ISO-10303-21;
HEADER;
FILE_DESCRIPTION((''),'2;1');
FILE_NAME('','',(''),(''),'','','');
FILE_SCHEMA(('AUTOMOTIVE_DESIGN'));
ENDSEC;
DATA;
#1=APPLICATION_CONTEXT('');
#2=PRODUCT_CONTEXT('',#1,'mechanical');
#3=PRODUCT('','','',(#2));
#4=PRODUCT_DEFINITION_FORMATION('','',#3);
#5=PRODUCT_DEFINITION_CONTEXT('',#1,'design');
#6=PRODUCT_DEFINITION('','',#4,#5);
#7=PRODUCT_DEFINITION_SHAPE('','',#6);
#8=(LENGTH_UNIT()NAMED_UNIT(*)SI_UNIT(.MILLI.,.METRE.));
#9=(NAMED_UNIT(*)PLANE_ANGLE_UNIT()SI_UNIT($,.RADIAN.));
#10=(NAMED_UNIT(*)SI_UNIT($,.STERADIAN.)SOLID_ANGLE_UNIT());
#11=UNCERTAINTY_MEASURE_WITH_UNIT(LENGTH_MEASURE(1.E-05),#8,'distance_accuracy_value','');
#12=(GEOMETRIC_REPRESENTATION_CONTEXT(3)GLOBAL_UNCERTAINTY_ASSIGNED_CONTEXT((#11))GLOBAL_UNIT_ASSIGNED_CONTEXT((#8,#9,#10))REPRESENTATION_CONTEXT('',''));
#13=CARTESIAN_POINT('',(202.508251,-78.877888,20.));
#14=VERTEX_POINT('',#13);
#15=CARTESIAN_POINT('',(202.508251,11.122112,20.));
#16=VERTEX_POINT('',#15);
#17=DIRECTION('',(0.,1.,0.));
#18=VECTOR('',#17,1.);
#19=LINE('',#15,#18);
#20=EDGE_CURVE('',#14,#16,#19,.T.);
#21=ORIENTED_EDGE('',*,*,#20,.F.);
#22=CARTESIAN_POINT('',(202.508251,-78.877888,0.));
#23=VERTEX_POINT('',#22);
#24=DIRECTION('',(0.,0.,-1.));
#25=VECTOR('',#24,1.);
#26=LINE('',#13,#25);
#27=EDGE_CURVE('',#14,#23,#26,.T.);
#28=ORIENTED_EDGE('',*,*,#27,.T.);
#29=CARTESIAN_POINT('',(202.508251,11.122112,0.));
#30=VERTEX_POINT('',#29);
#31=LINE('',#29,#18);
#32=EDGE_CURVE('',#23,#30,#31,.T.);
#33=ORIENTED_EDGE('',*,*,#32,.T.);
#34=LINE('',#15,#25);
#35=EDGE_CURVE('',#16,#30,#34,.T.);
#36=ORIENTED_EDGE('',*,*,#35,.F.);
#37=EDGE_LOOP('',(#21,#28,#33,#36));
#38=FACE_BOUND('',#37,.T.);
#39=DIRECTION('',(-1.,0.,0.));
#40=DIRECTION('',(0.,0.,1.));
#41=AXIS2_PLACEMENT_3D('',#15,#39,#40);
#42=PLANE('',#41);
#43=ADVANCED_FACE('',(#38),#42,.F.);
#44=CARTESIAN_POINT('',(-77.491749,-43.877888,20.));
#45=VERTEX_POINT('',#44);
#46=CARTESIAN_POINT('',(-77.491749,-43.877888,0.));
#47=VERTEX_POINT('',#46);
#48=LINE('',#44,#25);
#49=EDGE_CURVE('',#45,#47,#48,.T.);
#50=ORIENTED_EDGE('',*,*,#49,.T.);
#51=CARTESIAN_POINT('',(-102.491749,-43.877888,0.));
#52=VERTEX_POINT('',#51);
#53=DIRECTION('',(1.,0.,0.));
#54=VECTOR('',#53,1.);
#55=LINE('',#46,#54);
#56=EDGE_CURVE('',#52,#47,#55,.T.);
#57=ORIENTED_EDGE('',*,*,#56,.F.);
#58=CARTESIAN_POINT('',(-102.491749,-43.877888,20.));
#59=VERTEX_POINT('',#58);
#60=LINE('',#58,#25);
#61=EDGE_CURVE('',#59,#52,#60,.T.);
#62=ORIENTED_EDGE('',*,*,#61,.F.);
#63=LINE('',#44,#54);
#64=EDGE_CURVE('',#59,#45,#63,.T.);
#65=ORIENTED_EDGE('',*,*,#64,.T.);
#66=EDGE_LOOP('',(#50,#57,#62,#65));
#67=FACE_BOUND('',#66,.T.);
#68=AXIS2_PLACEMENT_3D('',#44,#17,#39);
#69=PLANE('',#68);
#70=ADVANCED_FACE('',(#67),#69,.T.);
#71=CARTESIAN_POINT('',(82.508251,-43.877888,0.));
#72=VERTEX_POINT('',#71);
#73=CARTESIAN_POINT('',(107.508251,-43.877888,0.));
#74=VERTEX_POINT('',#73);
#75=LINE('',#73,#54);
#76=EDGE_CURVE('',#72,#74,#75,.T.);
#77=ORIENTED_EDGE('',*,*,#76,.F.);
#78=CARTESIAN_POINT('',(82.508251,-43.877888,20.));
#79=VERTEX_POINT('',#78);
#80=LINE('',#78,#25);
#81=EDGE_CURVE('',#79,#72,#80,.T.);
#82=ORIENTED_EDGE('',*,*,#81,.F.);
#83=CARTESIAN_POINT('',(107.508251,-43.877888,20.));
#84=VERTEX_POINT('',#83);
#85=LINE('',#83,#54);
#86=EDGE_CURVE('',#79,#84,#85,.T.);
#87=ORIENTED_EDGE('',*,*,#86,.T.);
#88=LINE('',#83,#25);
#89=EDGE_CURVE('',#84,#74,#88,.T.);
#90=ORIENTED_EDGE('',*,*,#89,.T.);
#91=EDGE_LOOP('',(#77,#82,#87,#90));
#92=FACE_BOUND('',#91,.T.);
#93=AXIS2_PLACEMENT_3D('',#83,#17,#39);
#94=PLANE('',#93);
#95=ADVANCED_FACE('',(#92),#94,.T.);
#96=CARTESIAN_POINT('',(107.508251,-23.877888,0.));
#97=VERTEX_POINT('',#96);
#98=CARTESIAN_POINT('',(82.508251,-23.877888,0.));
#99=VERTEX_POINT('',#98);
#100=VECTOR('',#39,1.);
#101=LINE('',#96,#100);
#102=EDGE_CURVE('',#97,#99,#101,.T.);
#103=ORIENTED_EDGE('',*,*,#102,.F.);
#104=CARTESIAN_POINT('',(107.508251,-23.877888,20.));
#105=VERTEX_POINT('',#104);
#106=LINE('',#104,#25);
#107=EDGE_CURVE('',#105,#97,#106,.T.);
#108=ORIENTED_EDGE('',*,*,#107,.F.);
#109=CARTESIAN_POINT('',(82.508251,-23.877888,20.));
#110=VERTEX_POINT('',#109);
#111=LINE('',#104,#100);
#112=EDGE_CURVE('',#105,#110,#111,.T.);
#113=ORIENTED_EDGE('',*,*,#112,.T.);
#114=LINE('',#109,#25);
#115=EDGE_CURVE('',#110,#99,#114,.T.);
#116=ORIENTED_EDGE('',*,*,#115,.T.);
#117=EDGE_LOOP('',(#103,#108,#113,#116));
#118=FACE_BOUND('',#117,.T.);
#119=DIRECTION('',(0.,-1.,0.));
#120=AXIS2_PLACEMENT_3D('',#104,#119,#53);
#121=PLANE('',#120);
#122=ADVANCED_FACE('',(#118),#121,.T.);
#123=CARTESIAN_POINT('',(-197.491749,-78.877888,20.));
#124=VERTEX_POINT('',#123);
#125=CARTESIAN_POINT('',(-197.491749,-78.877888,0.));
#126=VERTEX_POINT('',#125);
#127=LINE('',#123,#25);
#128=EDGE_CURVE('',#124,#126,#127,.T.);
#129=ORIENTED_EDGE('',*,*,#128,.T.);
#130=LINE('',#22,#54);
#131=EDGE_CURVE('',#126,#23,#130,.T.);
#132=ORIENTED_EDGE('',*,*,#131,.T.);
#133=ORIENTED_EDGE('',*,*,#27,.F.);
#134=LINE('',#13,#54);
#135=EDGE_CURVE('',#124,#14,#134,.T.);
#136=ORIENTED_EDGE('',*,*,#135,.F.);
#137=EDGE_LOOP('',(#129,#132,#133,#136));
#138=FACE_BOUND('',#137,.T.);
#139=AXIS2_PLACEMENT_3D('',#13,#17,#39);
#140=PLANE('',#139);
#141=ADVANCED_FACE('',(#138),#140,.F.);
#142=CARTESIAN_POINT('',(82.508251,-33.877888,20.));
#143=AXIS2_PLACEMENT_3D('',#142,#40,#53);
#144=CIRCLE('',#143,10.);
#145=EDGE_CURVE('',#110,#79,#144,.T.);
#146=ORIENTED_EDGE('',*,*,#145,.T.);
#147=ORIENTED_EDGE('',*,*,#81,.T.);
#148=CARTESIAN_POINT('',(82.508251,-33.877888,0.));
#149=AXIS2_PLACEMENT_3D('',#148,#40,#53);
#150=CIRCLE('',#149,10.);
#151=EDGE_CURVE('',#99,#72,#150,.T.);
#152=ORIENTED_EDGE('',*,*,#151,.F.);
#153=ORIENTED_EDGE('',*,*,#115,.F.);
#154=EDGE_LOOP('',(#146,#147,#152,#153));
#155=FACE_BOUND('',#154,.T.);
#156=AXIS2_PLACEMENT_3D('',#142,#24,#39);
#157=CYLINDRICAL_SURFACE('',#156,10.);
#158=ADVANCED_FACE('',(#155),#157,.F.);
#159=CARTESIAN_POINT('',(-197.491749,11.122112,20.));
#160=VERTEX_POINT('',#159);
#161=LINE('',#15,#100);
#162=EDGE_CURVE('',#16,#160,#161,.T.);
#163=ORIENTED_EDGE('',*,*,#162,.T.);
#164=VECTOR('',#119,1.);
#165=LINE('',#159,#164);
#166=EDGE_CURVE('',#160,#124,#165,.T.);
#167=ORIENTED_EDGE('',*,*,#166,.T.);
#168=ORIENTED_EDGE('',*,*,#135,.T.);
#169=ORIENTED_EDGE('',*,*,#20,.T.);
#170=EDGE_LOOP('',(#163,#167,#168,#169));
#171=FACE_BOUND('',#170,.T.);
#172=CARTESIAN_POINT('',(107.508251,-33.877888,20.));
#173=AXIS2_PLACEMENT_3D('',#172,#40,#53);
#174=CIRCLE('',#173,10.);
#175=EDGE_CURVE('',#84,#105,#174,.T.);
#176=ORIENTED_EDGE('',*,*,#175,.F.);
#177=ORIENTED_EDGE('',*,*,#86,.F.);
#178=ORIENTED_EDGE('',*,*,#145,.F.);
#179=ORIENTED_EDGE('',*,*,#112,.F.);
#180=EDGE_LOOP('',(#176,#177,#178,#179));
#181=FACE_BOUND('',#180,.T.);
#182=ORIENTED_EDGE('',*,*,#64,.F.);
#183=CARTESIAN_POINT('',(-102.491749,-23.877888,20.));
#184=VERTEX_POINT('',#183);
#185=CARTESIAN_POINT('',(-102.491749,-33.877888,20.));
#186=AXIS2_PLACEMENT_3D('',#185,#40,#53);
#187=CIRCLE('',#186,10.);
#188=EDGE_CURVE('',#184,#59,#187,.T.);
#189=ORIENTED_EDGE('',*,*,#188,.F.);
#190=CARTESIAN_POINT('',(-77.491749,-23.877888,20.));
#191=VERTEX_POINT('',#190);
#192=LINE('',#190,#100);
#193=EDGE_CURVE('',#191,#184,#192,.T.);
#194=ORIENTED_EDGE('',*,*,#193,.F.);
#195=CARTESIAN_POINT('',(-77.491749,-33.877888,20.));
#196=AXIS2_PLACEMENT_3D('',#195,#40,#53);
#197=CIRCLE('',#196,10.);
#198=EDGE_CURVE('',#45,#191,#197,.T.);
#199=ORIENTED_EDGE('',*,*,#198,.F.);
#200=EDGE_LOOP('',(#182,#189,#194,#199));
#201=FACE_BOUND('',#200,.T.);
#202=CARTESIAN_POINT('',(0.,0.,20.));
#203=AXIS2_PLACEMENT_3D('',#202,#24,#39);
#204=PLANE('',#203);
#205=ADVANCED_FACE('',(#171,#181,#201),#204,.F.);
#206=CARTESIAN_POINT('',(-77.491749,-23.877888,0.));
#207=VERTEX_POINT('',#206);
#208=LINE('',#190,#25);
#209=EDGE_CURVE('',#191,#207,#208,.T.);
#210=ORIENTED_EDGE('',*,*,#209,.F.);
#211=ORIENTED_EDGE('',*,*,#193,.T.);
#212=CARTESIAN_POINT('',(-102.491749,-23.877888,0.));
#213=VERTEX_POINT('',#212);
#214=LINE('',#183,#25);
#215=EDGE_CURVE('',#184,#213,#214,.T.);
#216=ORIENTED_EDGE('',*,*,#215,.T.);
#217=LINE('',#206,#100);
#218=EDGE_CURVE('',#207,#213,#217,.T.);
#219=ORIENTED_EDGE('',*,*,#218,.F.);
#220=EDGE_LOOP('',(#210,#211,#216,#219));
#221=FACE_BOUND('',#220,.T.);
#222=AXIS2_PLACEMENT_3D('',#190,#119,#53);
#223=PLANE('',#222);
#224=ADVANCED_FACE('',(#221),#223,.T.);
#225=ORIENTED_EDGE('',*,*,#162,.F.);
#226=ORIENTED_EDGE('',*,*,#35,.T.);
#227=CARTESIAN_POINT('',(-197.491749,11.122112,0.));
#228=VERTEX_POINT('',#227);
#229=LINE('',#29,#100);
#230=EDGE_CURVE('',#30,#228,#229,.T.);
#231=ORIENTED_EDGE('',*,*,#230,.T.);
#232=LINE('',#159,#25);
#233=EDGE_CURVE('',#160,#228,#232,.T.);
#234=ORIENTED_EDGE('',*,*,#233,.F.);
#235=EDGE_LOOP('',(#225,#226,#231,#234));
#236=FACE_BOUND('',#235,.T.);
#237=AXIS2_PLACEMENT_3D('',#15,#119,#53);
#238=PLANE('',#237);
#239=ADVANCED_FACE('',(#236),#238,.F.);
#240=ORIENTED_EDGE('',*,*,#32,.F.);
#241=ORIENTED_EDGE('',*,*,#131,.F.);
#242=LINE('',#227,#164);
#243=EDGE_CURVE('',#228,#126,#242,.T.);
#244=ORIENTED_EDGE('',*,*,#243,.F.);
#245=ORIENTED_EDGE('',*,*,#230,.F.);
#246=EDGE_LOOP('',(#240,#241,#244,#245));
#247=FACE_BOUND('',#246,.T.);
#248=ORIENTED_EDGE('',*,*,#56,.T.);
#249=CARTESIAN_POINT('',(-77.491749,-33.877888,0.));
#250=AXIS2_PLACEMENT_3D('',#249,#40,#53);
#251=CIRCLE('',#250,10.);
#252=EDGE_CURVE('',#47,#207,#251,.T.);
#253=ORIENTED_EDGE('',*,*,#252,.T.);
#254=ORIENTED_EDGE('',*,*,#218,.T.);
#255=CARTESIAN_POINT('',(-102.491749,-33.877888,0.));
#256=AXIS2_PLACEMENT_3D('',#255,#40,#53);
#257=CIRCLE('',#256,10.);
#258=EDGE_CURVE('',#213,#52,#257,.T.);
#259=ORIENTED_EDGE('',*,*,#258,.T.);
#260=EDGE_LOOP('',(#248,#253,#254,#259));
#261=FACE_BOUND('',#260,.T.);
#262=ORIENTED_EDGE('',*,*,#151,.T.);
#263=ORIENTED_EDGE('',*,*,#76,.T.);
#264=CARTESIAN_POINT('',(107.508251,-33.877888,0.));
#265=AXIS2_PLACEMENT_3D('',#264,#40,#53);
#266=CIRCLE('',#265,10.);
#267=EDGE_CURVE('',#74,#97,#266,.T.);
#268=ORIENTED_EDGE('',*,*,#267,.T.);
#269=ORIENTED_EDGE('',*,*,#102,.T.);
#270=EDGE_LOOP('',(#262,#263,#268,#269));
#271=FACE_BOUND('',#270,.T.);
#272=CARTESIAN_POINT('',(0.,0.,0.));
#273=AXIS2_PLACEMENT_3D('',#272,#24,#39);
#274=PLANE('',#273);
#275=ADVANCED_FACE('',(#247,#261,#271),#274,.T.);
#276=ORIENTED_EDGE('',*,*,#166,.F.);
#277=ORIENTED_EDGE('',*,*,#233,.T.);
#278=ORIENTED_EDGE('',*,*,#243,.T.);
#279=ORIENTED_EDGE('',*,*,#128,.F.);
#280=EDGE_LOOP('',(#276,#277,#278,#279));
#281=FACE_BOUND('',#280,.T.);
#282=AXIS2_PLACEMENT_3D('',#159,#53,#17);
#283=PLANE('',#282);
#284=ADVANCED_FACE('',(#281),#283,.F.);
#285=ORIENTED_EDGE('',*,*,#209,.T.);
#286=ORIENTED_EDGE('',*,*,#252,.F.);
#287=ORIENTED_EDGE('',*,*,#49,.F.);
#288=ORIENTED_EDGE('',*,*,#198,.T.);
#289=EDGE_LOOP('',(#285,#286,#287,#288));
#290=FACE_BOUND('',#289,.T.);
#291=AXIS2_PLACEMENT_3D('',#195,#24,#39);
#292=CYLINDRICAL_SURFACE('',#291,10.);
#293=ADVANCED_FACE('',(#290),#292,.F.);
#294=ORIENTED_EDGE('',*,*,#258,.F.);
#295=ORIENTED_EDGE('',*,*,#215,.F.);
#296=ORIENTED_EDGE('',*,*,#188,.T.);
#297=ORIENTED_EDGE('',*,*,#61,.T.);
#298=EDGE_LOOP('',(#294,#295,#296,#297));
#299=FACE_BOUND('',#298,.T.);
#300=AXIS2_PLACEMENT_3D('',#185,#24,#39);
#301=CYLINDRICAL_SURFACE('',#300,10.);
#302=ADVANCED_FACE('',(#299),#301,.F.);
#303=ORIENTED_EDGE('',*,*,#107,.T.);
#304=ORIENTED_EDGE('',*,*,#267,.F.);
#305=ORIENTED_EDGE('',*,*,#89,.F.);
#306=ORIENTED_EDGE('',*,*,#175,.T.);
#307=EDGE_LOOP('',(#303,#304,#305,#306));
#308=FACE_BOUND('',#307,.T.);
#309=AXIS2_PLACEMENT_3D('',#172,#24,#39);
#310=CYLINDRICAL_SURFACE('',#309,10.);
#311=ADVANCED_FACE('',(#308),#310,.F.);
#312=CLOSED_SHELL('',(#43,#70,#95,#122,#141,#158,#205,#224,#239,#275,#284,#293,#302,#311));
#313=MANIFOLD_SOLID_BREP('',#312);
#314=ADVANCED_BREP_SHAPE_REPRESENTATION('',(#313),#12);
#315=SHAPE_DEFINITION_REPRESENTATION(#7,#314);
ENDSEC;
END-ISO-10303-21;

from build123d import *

# Parameters (mm, degrees)
SKETCH2_W           = 400
SKETCH2_H           = 90
BOSS_EXTRUDE1_DEPTH = 20


with BuildPart() as part:
    # Sketch2 → Boss-Extrude1 (new body)
    with BuildSketch(Plane.XY):
        with Locations((2.508250825, -33.877887789)):
            Rectangle(SKETCH2_W, SKETCH2_H)
        with BuildLine():
            Line((107.508250825, -43.877887789), (82.508250825, -43.877887789))
            ThreePointArc((82.508250825, -43.877887789), (72.508250825, -33.877887789), (82.508250825, -23.877887789))
            Line((82.508250825, -23.877887789), (107.508250825, -23.877887789))
            ThreePointArc((107.508250825, -23.877887789), (117.508250825, -33.877887789), (107.508250825, -43.877887789))
        make_face(mode=Mode.SUBTRACT)
        with BuildLine():
            Line((-77.491749175, -43.877887789), (-102.491749175, -43.877887789))
            ThreePointArc((-102.491749175, -43.877887789), (-112.491749175, -33.877887789), (-102.491749175, -23.877887789))
            Line((-102.491749175, -23.877887789), (-77.491749175, -23.877887789))
            ThreePointArc((-77.491749175, -23.877887789), (-67.491749175, -33.877887789), (-77.491749175, -43.877887789))
        make_face(mode=Mode.SUBTRACT)
    extrude(amount=BOSS_EXTRUDE1_DEPTH)


solid = part.part
